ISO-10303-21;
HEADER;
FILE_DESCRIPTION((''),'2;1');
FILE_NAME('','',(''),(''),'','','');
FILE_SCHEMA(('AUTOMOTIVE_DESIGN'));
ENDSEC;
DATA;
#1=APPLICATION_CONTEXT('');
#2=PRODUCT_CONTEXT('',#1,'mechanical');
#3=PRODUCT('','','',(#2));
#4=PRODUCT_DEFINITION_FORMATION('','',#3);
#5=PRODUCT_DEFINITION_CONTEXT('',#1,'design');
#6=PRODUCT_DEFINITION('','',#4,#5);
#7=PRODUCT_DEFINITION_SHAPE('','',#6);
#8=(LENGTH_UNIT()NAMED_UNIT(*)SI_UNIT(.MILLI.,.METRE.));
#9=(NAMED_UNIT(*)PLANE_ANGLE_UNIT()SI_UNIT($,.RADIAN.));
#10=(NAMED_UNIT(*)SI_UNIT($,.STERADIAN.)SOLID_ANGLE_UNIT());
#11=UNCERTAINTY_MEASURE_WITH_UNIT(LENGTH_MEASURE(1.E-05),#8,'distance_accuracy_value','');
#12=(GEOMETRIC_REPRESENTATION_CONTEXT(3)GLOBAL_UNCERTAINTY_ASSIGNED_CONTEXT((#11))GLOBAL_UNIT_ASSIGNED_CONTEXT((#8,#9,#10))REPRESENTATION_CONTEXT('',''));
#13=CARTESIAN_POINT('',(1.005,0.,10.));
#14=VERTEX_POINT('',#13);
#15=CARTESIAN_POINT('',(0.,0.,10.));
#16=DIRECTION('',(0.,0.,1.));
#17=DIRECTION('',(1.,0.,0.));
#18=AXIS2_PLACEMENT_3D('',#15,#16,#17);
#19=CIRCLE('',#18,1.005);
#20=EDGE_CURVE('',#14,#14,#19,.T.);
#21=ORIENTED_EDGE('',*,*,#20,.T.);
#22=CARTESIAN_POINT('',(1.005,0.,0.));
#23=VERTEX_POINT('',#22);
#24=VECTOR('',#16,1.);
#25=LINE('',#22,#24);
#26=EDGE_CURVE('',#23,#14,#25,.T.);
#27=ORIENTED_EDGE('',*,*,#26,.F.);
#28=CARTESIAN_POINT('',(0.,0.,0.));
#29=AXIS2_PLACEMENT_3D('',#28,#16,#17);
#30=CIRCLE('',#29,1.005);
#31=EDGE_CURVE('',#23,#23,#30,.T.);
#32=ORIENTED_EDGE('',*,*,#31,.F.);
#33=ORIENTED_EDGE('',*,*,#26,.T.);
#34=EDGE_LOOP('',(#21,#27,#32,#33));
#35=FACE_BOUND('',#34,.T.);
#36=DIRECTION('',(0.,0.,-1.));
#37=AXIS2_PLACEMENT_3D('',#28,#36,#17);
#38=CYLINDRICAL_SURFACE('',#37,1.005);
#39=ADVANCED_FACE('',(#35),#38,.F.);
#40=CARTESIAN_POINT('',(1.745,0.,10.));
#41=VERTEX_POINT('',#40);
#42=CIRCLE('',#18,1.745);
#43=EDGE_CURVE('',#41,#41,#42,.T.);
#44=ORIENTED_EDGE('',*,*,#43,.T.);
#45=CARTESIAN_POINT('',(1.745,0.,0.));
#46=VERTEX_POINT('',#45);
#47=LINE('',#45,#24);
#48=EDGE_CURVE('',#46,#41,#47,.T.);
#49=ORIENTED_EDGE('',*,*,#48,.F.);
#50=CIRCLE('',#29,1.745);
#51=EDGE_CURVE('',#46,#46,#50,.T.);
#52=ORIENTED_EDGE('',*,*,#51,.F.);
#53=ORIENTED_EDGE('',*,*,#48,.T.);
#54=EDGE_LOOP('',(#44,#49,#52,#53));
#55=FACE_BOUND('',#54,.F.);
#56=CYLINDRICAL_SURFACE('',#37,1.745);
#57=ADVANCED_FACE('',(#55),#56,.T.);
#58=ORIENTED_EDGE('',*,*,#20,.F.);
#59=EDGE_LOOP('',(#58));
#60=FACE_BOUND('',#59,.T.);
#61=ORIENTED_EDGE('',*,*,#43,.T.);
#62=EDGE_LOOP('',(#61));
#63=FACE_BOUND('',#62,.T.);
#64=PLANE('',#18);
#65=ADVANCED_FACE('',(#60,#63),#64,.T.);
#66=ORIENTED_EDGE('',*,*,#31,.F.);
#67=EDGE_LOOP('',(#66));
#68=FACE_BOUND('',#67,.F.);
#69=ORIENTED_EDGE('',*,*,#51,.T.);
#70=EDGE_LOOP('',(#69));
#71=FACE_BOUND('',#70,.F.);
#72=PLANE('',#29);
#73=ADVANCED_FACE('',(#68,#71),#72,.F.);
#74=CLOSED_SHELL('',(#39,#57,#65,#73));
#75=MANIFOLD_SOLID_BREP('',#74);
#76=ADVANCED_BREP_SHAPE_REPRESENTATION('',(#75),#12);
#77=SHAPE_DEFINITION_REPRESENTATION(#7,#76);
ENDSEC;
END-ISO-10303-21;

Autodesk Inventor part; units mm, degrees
ref_plane "YZ Plane" through (0, 0, 0) normal (1, 0, 0) x (0, 1, 0)
ref_plane "XZ Plane" through (0, 0, 0) normal (0, 1, 0) x (-1, 0, 0)
ref_plane "XY Plane" through (0, 0, 0) normal (0, 0, 1) x (1, 0, 0)
sketch "Sketch1" plane through (0, 0, 0) normal (0, 0, 1) x (1, 0, 0)
  circle A0 centre (0, 0) radius 1.745
  circle A1 centre (0, 0) radius 1.005
  dimension "d0" = 3.49
  dimension "d3" = 2.01
extrude "Extrusion1" add sketch "Sketch1" along normal blind 10
properties material "ABS Plastic"
